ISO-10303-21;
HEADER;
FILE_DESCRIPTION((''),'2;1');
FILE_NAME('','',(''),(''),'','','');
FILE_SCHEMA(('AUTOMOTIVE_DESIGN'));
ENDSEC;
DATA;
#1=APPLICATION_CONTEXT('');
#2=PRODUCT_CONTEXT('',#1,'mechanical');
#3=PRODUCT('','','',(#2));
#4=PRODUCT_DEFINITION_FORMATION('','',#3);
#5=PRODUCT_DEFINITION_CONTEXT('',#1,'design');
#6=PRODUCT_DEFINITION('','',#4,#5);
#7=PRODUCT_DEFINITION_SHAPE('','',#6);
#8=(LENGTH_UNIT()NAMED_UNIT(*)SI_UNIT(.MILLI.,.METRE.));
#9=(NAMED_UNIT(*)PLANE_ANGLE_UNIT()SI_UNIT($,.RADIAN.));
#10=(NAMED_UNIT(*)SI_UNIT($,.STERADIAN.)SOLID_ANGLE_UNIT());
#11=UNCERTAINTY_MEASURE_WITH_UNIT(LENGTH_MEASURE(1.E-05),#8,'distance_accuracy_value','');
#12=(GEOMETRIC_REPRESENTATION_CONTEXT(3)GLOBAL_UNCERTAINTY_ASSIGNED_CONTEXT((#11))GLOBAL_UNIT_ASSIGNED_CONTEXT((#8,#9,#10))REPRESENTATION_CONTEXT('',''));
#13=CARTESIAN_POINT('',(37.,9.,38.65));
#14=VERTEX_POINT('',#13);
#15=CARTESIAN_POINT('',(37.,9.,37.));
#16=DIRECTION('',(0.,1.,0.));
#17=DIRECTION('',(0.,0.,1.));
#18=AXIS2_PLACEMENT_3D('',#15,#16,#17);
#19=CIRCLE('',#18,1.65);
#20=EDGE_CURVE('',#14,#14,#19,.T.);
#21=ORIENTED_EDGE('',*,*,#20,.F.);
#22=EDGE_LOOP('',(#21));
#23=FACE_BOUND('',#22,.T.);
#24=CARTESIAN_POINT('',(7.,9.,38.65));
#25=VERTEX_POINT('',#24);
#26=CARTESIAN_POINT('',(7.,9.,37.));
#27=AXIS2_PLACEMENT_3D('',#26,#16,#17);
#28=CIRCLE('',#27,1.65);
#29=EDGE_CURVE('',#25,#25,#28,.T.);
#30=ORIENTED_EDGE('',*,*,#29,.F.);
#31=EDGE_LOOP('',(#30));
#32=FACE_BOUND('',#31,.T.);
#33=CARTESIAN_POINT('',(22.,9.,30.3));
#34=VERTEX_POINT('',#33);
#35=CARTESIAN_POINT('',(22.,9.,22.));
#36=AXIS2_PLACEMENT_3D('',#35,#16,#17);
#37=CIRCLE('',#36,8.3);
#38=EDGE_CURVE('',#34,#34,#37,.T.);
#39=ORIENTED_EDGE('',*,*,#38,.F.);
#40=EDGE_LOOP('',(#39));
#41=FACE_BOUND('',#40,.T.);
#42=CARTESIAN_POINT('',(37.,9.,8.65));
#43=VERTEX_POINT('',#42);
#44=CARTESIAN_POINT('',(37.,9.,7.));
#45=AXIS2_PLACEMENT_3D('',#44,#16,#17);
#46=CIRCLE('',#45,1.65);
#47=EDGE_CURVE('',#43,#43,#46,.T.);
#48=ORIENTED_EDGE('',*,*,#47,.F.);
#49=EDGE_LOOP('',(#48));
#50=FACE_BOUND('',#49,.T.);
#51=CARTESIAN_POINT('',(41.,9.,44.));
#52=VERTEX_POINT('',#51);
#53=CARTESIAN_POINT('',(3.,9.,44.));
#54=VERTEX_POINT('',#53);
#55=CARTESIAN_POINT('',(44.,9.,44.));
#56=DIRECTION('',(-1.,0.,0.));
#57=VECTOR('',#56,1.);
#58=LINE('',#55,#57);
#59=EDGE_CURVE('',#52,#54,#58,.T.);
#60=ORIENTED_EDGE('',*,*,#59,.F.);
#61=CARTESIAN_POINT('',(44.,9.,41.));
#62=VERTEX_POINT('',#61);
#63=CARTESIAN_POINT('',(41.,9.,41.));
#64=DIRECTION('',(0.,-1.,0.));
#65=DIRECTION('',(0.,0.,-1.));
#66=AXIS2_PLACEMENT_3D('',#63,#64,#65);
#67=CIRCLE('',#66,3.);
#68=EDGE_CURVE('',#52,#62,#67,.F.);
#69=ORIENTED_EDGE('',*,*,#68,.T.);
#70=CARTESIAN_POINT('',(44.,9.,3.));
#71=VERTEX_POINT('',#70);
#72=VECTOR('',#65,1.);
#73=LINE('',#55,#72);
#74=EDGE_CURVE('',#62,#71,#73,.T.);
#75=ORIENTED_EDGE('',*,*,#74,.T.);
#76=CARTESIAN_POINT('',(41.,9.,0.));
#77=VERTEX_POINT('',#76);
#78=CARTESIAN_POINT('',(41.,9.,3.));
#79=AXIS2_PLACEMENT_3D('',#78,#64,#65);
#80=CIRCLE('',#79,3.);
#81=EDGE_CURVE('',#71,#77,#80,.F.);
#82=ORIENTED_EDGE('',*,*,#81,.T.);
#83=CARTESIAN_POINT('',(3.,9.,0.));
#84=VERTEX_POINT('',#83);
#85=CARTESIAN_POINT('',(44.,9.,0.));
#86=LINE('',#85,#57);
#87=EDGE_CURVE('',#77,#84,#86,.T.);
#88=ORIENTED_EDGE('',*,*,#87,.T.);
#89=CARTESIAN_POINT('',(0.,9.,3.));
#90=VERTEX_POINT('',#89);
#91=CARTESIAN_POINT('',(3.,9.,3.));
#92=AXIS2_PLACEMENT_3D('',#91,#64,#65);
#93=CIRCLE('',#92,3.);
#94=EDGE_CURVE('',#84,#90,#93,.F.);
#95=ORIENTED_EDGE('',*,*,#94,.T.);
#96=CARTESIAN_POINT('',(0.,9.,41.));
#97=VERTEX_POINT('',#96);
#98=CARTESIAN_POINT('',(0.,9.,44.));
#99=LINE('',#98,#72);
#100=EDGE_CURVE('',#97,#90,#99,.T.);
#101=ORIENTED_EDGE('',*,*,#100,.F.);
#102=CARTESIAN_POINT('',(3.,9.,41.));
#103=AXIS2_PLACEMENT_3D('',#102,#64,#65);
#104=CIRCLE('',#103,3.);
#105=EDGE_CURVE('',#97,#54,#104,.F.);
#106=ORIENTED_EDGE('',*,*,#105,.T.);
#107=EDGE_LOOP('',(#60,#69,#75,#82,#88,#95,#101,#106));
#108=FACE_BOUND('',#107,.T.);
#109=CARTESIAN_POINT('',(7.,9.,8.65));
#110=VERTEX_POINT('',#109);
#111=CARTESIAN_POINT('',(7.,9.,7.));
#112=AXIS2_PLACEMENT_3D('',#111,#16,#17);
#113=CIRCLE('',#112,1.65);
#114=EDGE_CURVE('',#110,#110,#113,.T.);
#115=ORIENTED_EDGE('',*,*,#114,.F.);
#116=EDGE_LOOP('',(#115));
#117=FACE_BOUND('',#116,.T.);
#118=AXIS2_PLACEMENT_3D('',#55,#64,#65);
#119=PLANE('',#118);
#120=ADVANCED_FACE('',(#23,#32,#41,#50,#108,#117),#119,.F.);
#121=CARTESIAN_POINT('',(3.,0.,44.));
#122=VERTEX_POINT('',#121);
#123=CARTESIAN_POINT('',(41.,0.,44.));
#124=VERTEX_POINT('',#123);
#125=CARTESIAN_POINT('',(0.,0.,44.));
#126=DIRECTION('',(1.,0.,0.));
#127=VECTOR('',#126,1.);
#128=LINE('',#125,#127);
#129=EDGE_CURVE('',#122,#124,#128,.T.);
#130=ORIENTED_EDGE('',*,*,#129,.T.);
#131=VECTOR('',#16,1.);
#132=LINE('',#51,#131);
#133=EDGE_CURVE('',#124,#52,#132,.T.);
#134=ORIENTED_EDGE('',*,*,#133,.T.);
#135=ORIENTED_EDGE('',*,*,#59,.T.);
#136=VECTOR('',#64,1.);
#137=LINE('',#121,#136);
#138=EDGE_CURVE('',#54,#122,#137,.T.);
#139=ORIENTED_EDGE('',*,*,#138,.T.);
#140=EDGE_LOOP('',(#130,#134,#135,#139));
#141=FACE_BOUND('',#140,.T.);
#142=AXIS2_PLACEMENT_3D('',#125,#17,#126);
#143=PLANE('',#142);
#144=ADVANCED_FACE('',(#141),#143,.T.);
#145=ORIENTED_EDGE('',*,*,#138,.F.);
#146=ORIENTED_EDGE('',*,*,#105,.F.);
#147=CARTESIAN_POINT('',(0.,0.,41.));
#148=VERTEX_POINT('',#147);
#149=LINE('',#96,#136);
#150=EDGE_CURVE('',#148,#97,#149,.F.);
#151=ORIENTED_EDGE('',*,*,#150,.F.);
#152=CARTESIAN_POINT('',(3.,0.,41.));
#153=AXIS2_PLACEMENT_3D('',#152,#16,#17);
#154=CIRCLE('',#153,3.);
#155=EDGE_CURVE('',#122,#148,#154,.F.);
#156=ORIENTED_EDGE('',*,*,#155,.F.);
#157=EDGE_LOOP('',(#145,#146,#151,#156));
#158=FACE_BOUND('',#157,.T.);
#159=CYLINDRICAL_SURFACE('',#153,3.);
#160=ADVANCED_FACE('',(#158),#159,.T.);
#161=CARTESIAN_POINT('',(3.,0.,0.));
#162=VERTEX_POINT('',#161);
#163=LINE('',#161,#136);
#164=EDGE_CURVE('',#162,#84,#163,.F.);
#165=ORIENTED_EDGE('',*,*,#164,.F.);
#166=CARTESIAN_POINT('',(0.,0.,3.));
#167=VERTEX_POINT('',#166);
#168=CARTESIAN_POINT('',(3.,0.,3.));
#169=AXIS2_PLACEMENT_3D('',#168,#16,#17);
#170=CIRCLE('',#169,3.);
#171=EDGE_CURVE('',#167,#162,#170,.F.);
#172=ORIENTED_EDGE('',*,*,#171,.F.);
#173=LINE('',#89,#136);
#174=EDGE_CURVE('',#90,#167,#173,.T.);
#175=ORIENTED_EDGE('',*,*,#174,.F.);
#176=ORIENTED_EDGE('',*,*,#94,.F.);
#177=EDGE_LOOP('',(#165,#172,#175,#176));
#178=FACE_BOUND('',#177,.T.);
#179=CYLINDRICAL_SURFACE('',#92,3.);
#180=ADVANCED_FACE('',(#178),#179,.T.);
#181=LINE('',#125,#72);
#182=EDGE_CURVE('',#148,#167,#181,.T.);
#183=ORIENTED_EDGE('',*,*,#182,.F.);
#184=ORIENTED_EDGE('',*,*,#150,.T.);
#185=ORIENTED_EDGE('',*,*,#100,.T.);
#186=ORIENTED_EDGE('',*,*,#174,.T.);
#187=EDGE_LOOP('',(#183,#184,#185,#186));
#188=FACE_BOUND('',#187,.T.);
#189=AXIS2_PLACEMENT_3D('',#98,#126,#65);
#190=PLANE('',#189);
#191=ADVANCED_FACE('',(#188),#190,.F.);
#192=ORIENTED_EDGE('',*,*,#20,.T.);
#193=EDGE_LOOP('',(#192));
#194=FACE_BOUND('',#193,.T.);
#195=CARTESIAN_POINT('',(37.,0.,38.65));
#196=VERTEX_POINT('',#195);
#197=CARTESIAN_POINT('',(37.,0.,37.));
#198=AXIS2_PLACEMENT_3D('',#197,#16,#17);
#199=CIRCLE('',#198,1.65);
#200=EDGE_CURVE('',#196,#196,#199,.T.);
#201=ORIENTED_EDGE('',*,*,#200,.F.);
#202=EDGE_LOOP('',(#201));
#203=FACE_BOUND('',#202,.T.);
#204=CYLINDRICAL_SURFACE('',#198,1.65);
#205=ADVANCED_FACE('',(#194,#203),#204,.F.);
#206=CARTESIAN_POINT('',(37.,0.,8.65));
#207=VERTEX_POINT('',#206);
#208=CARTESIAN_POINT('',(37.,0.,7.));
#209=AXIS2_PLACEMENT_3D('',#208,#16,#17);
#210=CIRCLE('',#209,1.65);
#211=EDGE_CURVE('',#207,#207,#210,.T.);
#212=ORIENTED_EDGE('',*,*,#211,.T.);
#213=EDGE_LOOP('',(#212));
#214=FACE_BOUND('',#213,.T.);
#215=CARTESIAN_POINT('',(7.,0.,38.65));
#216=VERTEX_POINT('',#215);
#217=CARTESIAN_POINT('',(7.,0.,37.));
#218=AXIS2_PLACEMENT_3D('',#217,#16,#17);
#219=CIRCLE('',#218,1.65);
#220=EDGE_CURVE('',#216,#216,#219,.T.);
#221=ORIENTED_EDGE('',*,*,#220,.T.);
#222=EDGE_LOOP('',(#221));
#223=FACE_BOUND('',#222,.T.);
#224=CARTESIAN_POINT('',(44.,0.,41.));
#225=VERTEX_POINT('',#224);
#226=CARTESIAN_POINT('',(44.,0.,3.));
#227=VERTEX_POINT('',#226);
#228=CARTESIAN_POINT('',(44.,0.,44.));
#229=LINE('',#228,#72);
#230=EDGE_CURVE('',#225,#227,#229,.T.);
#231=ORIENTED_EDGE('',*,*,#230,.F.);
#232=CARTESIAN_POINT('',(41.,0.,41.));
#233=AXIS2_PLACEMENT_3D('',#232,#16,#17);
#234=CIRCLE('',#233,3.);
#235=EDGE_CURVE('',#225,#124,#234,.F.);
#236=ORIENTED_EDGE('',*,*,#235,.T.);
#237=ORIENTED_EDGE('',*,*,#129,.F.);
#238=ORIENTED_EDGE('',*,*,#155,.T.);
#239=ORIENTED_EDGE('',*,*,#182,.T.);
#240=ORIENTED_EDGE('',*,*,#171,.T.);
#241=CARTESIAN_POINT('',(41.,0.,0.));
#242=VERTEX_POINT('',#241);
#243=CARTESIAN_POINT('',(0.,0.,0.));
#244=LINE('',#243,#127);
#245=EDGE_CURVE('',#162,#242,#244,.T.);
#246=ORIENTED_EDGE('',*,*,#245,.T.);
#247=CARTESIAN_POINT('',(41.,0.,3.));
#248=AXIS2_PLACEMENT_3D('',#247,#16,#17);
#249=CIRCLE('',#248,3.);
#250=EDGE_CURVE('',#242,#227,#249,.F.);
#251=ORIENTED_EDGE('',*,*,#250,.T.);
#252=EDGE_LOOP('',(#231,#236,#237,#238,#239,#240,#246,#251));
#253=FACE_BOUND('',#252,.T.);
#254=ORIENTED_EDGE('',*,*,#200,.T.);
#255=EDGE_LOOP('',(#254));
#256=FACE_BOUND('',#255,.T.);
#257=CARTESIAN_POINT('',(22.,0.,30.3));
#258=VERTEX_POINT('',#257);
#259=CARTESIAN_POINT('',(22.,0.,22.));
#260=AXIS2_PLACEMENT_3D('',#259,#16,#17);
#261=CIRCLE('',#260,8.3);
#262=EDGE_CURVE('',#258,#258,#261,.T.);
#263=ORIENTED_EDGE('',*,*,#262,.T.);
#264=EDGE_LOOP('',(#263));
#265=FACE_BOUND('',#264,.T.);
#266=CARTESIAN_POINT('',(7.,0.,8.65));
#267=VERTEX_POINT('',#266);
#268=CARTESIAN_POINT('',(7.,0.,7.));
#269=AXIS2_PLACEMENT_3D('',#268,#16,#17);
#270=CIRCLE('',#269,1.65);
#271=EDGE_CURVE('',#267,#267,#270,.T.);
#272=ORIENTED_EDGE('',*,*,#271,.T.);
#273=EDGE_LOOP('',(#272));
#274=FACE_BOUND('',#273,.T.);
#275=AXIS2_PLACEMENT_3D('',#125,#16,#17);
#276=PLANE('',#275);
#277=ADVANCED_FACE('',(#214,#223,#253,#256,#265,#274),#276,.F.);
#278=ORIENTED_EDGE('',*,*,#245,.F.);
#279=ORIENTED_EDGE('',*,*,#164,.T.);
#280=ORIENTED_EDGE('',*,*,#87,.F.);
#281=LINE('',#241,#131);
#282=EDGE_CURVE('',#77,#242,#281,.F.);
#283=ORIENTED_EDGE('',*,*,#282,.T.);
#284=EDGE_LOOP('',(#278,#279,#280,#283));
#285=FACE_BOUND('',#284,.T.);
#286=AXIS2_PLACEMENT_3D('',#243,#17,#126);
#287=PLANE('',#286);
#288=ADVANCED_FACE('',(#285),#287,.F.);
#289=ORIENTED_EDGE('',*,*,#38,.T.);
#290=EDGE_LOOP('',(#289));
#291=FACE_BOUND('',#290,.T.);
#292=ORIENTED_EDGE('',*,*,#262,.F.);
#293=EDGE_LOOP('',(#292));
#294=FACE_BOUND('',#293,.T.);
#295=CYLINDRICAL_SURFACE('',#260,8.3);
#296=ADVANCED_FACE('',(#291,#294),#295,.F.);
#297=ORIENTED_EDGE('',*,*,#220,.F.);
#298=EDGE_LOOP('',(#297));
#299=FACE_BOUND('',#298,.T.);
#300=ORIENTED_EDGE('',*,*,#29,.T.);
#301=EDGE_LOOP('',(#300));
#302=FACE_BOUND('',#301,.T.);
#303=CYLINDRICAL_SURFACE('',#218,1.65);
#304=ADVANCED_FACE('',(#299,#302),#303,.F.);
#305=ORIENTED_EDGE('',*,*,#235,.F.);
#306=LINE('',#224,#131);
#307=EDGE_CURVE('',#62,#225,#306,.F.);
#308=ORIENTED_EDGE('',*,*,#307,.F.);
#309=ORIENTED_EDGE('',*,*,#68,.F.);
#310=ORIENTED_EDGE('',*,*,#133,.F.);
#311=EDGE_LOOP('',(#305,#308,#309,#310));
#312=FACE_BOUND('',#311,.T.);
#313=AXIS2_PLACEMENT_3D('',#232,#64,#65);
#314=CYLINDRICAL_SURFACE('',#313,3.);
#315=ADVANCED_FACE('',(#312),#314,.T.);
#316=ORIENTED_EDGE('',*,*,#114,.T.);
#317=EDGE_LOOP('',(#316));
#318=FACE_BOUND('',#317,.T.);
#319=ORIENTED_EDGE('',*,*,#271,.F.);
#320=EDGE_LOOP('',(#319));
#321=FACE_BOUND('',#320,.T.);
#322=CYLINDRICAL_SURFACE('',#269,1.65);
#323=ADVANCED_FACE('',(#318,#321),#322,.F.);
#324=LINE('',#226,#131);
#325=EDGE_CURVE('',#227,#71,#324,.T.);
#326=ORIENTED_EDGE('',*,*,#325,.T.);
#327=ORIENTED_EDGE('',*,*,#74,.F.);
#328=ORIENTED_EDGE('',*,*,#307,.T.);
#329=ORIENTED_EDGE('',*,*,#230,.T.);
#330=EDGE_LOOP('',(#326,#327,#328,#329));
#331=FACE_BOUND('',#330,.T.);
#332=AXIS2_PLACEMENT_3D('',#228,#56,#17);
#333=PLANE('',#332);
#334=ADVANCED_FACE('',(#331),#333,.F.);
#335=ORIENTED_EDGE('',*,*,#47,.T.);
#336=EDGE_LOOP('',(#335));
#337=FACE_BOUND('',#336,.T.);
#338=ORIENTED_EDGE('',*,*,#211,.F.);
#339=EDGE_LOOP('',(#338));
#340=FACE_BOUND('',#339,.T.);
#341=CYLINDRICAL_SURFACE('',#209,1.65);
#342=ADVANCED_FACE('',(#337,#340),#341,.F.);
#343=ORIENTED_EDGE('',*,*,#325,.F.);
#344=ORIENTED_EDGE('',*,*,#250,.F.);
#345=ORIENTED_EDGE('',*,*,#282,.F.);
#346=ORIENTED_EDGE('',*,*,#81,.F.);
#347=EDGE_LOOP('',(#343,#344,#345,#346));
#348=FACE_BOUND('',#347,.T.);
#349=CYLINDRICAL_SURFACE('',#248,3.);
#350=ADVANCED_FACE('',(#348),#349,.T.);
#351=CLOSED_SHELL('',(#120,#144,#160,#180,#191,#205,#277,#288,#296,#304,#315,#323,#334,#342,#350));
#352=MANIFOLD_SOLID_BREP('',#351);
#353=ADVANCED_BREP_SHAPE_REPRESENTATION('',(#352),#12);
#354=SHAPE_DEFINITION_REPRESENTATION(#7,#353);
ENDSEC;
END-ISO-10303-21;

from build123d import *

# Parameters (mm, degrees)
SKETCH_1_W          = 44
SKETCH_1_H          = 9
RAISED_FLANGE_DEPTH = 44
FILLET_2_R          = 3
SKETCH_2_R          = 8.3
FLANGE_HOLE_DEPTH   = 63.872887638
SKETCH_3_R          = 1.65
CUT_EXTRUDE_2_DEPTH = 63.872887638
SKETCH_4_R          = 1.65
CUT_EXTRUDE_3_DEPTH = 63.872887638
SKETCH_5_R          = 1.65
CUT_EXTRUDE_4_DEPTH = 63.872887638
SKETCH_6_R          = 1.65
CUT_EXTRUDE_5_DEPTH = 63.872887638


with BuildPart() as part:
    # 草图1 → Raised_flange (new body)
    with BuildSketch(Plane.XY):
        with Locations((22, 4.5)):
            Rectangle(SKETCH_1_W, SKETCH_1_H)
    extrude(amount=RAISED_FLANGE_DEPTH)

    # Fillet 2
    fillet_2_edges = [part.edges().sort_by_distance(p)[0] for p in [
        (44, 4.5, 44),
        (0, 4.5, 44),
        (44, 4.5, 0),
        (0, 4.5, 0),
    ]]
    fillet(fillet_2_edges, radius=FILLET_2_R)

    # 草图2 → Flange_hole (cut, through all)
    with BuildSketch(Plane(origin=(0, 9, 0), x_dir=(1, 0, 0), z_dir=(0, 1, 0))):
        with Locations(Location((22, -22, 0), (0, 0, 270))):
            Circle(SKETCH_2_R)
    extrude(amount=-FLANGE_HOLE_DEPTH, mode=Mode.SUBTRACT)

    # 草图3 → 切除-拉伸2 (cut, through all)
    with BuildSketch(Plane(origin=(0, 9, 0), x_dir=(1, 0, 0), z_dir=(0, 1, 0))):
        with Locations(Location((7, -7, 0), (0, 0, 270))):
            Circle(SKETCH_3_R)
    extrude(amount=-CUT_EXTRUDE_2_DEPTH, mode=Mode.SUBTRACT)

    # 草图4 → 切除-拉伸3 (cut, through all)
    with BuildSketch(Plane(origin=(0, 9, 0), x_dir=(1, 0, 0), z_dir=(0, 1, 0))):
        with Locations(Location((7, -37, 0), (0, 0, 270))):
            Circle(SKETCH_4_R)
    extrude(amount=-CUT_EXTRUDE_3_DEPTH, mode=Mode.SUBTRACT)

    # 草图5 → 切除-拉伸4 (cut, through all)
    with BuildSketch(Plane(origin=(0, 9, 0), x_dir=(1, 0, 0), z_dir=(0, 1, 0))):
        with Locations(Location((37, -7, 0), (0, 0, 270))):
            Circle(SKETCH_5_R)
    extrude(amount=-CUT_EXTRUDE_4_DEPTH, mode=Mode.SUBTRACT)

    # 草图6 → 切除-拉伸5 (cut, through all)
    with BuildSketch(Plane(origin=(0, 9, 0), x_dir=(1, 0, 0), z_dir=(0, 1, 0))):
        with Locations(Location((37, -37, 0), (0, 0, 270))):
            Circle(SKETCH_6_R)
    extrude(amount=-CUT_EXTRUDE_5_DEPTH, mode=Mode.SUBTRACT)


solid = part.part
